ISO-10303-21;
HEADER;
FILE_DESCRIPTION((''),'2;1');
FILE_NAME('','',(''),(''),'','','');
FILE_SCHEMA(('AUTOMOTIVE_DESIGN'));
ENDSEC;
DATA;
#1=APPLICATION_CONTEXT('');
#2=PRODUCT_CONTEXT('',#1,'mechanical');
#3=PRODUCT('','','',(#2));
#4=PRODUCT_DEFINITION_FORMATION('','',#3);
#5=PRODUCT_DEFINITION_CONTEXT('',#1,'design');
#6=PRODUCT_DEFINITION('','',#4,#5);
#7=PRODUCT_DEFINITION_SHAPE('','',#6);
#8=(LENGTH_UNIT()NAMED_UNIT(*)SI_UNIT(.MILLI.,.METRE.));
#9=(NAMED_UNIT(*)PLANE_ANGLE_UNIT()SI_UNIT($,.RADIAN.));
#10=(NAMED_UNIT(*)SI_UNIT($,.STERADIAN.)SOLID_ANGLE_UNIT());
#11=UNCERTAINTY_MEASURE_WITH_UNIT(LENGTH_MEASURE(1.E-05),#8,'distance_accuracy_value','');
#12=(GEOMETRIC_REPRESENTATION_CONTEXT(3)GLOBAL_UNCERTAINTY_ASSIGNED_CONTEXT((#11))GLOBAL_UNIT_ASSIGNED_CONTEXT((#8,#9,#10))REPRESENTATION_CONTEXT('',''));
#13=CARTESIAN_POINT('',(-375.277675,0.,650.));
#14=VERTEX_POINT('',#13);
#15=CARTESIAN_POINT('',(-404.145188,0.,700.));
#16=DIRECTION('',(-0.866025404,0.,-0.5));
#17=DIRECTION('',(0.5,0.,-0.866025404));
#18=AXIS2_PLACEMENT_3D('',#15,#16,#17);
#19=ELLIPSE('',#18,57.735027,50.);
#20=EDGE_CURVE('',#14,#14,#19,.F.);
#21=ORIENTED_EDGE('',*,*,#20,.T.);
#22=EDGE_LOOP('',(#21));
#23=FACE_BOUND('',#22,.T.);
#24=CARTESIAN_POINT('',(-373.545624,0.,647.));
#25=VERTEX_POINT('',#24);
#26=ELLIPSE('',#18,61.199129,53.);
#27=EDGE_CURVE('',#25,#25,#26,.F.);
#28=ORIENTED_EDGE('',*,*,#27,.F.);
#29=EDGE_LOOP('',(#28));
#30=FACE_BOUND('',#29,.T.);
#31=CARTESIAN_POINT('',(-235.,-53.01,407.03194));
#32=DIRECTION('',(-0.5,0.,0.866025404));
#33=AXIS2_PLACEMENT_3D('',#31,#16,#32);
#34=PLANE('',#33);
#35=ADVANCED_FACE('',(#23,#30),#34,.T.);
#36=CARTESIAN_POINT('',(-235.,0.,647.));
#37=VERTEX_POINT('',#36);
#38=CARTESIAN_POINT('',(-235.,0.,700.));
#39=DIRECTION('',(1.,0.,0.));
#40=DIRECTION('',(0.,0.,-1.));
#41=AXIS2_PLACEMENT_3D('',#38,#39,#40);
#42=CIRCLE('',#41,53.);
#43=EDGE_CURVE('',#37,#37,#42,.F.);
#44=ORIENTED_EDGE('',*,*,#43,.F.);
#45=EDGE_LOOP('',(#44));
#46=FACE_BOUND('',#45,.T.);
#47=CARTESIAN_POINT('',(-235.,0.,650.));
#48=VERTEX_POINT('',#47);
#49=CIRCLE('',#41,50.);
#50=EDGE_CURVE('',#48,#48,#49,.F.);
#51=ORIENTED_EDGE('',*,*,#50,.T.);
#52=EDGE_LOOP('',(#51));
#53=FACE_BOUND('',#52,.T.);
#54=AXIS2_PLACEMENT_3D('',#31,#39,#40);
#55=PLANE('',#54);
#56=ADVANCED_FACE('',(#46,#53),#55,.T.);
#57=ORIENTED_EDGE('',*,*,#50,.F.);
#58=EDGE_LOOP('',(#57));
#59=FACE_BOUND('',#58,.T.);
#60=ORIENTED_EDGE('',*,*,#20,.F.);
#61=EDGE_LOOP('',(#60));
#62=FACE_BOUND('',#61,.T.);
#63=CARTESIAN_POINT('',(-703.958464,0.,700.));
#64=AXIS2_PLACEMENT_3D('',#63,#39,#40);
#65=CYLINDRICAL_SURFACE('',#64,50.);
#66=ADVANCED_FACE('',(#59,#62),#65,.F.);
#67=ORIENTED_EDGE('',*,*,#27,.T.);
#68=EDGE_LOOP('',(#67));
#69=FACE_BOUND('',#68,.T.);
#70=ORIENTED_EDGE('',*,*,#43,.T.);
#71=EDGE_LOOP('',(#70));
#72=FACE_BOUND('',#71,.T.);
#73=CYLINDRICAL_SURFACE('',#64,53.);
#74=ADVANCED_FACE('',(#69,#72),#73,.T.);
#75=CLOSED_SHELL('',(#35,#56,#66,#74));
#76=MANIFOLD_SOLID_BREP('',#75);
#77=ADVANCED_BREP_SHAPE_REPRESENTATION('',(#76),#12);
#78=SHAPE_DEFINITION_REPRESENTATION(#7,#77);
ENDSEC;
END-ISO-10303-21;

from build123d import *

# Parameters (mm, degrees)
SKETCH3_R              = 53
SKETCH3_R_2            = 50
SPLIT1_SURFACE_1_BACK  = 2303.894
SPLIT1_SURFACE_1_DEPTH = 4607.788


with BuildPart() as part:
    # Sweep1: sweep along a path in Sketch2
    with BuildLine(Plane(origin=(0, 0, 0), x_dir=(1, 0, 0), z_dir=(0, 1, 0))) as sweep1_path:
        Line((-404.145188433, -700), (404.145188433, -700))
        Line((404.145188433, -700), (808.290376865, 0))
        Line((808.290376865, 0), (404.145188433, 700))
        Line((404.145188433, 700), (-404.145188433, 700))
        Line((-404.145188433, 700), (-808.290376865, 0))
        Line((-808.290376865, 0), (-404.145188433, -700))
    # Sketch3 → Sweep1 (sweep)
    with BuildSketch(Plane(origin=(0, 0, 0), x_dir=(0, 0, -1), z_dir=(1, 0, 0))):
        with Locations((-700, 0)):
            Circle(SKETCH3_R)
        with Locations((-700, 0)):
            Circle(SKETCH3_R_2, mode=Mode.SUBTRACT)
    sweep(path=sweep1_path.line, transition=Transition.RIGHT)

    # Split1: cut with a surface, the side behind it stays
    # Split1 surface: a surface, the sketch's curves swept straight by 4607.788 mm
    with BuildLine(Plane(origin=(0, 0, 0), x_dir=(1, 0, 0), z_dir=(0, 1, 0)).offset(-SPLIT1_SURFACE_1_BACK), mode=Mode.PRIVATE) as split1_surface_1_path:
        Line((-487.5, -844.37476869), (-235, -407.031939779))
        Line((-235, -407.031939779), (-235, -946.255779375))
    split1_surface_1 = Shell.extrude(split1_surface_1_path.wire(), (0 * SPLIT1_SURFACE_1_DEPTH, 1 * SPLIT1_SURFACE_1_DEPTH, 0 * SPLIT1_SURFACE_1_DEPTH))
    split(bisect_by=split1_surface_1, keep=Keep.BOTTOM)


solid = part.part
